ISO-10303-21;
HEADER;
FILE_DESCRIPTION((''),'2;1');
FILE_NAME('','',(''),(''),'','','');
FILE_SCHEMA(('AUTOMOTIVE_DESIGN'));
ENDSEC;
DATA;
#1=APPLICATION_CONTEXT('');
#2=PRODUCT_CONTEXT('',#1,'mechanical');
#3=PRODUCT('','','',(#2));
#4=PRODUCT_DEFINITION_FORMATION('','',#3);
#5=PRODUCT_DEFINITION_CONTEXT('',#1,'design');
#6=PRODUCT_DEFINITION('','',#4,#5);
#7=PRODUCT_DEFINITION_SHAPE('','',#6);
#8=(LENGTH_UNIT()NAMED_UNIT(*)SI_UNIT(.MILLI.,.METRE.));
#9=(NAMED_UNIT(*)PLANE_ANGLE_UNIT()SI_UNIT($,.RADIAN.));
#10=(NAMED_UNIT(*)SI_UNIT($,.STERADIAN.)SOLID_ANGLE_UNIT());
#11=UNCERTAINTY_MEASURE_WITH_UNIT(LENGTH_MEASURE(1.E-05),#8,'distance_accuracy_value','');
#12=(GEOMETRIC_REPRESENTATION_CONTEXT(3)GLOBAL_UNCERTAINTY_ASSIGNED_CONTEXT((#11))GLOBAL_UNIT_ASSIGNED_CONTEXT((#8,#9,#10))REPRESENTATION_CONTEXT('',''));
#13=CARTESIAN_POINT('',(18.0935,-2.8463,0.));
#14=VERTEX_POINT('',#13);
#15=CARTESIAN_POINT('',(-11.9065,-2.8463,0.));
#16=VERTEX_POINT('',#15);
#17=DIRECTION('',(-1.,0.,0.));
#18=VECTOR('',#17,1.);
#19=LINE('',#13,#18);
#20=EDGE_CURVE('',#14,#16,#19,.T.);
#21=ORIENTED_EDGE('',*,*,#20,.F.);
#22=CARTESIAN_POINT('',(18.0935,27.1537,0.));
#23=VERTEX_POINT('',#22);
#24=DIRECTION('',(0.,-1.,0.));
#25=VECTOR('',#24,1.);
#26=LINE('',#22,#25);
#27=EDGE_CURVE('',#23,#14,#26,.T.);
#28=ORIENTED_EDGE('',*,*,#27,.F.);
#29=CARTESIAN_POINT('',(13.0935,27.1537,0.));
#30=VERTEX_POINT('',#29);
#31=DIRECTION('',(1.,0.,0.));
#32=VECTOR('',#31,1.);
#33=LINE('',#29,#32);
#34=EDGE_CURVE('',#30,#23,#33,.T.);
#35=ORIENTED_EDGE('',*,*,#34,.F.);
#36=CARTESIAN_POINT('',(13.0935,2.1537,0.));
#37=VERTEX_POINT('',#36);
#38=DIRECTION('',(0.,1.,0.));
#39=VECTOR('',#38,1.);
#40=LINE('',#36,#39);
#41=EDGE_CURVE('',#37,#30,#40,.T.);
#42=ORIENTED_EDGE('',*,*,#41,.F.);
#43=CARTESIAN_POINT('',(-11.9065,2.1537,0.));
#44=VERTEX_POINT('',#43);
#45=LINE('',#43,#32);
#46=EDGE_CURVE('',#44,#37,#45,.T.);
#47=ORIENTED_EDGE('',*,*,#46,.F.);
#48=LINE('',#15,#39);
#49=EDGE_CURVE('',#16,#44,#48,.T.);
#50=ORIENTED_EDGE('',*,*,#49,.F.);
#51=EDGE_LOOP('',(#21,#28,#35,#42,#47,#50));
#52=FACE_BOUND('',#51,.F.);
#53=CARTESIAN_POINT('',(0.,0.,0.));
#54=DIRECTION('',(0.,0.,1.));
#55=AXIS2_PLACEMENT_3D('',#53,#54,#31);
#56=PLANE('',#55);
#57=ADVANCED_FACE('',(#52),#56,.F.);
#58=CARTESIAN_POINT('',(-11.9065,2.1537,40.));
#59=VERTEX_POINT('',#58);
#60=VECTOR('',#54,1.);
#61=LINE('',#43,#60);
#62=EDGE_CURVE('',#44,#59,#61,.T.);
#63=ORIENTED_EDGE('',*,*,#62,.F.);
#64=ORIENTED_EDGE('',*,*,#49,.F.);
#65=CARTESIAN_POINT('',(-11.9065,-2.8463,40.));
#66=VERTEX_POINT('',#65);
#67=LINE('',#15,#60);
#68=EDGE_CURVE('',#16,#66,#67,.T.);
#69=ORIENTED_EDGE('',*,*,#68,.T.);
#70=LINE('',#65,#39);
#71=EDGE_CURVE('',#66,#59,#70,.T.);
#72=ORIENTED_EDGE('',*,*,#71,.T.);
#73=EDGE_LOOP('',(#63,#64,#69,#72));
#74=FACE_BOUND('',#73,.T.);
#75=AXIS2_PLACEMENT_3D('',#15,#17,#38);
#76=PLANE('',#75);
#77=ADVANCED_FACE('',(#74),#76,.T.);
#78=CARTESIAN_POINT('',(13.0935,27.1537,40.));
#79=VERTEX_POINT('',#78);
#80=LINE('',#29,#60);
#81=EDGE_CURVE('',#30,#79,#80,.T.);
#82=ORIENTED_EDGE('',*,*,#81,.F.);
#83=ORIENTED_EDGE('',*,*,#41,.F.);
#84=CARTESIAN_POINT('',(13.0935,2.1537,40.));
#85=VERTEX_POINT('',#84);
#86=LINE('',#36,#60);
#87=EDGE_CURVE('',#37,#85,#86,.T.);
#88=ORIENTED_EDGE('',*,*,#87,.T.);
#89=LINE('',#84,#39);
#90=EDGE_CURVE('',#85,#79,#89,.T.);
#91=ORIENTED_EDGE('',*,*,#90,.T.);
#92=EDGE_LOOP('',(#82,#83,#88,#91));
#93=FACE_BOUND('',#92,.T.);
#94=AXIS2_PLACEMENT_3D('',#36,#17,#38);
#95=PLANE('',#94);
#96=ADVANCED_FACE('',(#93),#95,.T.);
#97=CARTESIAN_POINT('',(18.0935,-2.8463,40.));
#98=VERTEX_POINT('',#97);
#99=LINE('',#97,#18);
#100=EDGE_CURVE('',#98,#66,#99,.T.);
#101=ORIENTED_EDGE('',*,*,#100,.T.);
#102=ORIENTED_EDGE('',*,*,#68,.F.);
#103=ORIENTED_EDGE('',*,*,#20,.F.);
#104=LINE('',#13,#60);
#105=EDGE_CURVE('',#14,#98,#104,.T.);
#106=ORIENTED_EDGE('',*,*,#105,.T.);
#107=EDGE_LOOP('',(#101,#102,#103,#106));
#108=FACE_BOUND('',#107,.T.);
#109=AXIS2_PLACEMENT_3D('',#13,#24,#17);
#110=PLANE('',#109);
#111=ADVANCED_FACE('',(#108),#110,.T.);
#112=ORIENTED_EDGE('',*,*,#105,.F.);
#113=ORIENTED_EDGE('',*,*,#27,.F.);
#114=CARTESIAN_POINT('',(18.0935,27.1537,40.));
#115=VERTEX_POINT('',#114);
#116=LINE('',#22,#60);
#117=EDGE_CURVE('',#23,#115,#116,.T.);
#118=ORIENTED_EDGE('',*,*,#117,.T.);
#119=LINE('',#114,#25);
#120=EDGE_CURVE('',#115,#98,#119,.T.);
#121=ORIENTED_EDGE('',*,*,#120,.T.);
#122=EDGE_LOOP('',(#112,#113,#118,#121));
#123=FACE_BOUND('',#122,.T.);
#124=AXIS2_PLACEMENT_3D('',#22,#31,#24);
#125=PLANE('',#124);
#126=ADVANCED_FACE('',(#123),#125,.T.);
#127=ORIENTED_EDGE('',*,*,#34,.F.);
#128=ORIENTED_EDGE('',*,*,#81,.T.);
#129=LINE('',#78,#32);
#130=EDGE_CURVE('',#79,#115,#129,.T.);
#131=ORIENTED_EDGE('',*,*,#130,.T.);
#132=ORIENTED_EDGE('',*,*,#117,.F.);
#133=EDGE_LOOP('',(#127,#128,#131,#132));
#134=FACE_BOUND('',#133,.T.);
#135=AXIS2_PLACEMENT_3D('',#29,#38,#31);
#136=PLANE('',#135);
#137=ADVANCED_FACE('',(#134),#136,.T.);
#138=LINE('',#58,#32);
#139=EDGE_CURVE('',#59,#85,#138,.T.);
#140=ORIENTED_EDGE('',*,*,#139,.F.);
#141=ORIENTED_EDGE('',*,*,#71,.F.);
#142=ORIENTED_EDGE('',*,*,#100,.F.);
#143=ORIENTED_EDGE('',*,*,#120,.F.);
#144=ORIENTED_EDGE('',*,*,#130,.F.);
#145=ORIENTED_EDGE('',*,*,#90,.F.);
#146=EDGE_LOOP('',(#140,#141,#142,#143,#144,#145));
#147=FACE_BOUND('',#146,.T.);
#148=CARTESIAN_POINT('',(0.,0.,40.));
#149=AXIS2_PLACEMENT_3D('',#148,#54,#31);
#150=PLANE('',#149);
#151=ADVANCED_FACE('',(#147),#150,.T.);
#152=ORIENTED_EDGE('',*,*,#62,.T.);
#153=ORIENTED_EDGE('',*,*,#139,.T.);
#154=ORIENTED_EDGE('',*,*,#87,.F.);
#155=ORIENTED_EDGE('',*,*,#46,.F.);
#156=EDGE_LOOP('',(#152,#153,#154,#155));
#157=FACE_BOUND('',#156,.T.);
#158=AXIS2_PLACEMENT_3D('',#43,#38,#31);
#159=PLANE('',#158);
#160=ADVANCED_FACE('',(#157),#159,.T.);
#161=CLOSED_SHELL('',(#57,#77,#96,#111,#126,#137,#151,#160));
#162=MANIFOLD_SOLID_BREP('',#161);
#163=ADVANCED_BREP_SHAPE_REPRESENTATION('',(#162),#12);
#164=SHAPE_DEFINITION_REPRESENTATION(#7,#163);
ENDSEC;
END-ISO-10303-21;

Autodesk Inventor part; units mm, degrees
ref_plane "YZ Plane" through (0, 0, 0) normal (1, 0, 0) x (0, 1, 0)
ref_plane "XZ Plane" through (0, 0, 0) normal (0, 1, 0) x (-1, 0, 0)
ref_plane "XY Plane" through (0, 0, 0) normal (0, 0, 1) x (1, 0, 0)
sketch "Skizze1" plane through (0, 0, 0) normal (0, 0, 1) x (1, 0, 0)
  line L0 (-11.9065, 2.1537) -> (13.0935, 2.1537)
  line L1 (13.0935, 2.1537) -> (13.0935, 27.1537)
  line L2 (13.0935, 27.1537) -> (18.0935, 27.1537)
  line L3 (18.0935, 27.1537) -> (18.0935, -2.8463)
  line L4 (18.0935, -2.8463) -> (-11.9065, -2.8463)
  line L5 (-11.9065, -2.8463) -> (-11.9065, 2.1537)
  point P0 (0, 0)
  dimension "d0" = 5
  dimension "d1" = 5
  dimension "d2" = 30
  dimension "d3" = 30
extrude "Extrusion1" add sketch "Skizze1" along normal blind 40
properties part number "Beschlag_camera"
